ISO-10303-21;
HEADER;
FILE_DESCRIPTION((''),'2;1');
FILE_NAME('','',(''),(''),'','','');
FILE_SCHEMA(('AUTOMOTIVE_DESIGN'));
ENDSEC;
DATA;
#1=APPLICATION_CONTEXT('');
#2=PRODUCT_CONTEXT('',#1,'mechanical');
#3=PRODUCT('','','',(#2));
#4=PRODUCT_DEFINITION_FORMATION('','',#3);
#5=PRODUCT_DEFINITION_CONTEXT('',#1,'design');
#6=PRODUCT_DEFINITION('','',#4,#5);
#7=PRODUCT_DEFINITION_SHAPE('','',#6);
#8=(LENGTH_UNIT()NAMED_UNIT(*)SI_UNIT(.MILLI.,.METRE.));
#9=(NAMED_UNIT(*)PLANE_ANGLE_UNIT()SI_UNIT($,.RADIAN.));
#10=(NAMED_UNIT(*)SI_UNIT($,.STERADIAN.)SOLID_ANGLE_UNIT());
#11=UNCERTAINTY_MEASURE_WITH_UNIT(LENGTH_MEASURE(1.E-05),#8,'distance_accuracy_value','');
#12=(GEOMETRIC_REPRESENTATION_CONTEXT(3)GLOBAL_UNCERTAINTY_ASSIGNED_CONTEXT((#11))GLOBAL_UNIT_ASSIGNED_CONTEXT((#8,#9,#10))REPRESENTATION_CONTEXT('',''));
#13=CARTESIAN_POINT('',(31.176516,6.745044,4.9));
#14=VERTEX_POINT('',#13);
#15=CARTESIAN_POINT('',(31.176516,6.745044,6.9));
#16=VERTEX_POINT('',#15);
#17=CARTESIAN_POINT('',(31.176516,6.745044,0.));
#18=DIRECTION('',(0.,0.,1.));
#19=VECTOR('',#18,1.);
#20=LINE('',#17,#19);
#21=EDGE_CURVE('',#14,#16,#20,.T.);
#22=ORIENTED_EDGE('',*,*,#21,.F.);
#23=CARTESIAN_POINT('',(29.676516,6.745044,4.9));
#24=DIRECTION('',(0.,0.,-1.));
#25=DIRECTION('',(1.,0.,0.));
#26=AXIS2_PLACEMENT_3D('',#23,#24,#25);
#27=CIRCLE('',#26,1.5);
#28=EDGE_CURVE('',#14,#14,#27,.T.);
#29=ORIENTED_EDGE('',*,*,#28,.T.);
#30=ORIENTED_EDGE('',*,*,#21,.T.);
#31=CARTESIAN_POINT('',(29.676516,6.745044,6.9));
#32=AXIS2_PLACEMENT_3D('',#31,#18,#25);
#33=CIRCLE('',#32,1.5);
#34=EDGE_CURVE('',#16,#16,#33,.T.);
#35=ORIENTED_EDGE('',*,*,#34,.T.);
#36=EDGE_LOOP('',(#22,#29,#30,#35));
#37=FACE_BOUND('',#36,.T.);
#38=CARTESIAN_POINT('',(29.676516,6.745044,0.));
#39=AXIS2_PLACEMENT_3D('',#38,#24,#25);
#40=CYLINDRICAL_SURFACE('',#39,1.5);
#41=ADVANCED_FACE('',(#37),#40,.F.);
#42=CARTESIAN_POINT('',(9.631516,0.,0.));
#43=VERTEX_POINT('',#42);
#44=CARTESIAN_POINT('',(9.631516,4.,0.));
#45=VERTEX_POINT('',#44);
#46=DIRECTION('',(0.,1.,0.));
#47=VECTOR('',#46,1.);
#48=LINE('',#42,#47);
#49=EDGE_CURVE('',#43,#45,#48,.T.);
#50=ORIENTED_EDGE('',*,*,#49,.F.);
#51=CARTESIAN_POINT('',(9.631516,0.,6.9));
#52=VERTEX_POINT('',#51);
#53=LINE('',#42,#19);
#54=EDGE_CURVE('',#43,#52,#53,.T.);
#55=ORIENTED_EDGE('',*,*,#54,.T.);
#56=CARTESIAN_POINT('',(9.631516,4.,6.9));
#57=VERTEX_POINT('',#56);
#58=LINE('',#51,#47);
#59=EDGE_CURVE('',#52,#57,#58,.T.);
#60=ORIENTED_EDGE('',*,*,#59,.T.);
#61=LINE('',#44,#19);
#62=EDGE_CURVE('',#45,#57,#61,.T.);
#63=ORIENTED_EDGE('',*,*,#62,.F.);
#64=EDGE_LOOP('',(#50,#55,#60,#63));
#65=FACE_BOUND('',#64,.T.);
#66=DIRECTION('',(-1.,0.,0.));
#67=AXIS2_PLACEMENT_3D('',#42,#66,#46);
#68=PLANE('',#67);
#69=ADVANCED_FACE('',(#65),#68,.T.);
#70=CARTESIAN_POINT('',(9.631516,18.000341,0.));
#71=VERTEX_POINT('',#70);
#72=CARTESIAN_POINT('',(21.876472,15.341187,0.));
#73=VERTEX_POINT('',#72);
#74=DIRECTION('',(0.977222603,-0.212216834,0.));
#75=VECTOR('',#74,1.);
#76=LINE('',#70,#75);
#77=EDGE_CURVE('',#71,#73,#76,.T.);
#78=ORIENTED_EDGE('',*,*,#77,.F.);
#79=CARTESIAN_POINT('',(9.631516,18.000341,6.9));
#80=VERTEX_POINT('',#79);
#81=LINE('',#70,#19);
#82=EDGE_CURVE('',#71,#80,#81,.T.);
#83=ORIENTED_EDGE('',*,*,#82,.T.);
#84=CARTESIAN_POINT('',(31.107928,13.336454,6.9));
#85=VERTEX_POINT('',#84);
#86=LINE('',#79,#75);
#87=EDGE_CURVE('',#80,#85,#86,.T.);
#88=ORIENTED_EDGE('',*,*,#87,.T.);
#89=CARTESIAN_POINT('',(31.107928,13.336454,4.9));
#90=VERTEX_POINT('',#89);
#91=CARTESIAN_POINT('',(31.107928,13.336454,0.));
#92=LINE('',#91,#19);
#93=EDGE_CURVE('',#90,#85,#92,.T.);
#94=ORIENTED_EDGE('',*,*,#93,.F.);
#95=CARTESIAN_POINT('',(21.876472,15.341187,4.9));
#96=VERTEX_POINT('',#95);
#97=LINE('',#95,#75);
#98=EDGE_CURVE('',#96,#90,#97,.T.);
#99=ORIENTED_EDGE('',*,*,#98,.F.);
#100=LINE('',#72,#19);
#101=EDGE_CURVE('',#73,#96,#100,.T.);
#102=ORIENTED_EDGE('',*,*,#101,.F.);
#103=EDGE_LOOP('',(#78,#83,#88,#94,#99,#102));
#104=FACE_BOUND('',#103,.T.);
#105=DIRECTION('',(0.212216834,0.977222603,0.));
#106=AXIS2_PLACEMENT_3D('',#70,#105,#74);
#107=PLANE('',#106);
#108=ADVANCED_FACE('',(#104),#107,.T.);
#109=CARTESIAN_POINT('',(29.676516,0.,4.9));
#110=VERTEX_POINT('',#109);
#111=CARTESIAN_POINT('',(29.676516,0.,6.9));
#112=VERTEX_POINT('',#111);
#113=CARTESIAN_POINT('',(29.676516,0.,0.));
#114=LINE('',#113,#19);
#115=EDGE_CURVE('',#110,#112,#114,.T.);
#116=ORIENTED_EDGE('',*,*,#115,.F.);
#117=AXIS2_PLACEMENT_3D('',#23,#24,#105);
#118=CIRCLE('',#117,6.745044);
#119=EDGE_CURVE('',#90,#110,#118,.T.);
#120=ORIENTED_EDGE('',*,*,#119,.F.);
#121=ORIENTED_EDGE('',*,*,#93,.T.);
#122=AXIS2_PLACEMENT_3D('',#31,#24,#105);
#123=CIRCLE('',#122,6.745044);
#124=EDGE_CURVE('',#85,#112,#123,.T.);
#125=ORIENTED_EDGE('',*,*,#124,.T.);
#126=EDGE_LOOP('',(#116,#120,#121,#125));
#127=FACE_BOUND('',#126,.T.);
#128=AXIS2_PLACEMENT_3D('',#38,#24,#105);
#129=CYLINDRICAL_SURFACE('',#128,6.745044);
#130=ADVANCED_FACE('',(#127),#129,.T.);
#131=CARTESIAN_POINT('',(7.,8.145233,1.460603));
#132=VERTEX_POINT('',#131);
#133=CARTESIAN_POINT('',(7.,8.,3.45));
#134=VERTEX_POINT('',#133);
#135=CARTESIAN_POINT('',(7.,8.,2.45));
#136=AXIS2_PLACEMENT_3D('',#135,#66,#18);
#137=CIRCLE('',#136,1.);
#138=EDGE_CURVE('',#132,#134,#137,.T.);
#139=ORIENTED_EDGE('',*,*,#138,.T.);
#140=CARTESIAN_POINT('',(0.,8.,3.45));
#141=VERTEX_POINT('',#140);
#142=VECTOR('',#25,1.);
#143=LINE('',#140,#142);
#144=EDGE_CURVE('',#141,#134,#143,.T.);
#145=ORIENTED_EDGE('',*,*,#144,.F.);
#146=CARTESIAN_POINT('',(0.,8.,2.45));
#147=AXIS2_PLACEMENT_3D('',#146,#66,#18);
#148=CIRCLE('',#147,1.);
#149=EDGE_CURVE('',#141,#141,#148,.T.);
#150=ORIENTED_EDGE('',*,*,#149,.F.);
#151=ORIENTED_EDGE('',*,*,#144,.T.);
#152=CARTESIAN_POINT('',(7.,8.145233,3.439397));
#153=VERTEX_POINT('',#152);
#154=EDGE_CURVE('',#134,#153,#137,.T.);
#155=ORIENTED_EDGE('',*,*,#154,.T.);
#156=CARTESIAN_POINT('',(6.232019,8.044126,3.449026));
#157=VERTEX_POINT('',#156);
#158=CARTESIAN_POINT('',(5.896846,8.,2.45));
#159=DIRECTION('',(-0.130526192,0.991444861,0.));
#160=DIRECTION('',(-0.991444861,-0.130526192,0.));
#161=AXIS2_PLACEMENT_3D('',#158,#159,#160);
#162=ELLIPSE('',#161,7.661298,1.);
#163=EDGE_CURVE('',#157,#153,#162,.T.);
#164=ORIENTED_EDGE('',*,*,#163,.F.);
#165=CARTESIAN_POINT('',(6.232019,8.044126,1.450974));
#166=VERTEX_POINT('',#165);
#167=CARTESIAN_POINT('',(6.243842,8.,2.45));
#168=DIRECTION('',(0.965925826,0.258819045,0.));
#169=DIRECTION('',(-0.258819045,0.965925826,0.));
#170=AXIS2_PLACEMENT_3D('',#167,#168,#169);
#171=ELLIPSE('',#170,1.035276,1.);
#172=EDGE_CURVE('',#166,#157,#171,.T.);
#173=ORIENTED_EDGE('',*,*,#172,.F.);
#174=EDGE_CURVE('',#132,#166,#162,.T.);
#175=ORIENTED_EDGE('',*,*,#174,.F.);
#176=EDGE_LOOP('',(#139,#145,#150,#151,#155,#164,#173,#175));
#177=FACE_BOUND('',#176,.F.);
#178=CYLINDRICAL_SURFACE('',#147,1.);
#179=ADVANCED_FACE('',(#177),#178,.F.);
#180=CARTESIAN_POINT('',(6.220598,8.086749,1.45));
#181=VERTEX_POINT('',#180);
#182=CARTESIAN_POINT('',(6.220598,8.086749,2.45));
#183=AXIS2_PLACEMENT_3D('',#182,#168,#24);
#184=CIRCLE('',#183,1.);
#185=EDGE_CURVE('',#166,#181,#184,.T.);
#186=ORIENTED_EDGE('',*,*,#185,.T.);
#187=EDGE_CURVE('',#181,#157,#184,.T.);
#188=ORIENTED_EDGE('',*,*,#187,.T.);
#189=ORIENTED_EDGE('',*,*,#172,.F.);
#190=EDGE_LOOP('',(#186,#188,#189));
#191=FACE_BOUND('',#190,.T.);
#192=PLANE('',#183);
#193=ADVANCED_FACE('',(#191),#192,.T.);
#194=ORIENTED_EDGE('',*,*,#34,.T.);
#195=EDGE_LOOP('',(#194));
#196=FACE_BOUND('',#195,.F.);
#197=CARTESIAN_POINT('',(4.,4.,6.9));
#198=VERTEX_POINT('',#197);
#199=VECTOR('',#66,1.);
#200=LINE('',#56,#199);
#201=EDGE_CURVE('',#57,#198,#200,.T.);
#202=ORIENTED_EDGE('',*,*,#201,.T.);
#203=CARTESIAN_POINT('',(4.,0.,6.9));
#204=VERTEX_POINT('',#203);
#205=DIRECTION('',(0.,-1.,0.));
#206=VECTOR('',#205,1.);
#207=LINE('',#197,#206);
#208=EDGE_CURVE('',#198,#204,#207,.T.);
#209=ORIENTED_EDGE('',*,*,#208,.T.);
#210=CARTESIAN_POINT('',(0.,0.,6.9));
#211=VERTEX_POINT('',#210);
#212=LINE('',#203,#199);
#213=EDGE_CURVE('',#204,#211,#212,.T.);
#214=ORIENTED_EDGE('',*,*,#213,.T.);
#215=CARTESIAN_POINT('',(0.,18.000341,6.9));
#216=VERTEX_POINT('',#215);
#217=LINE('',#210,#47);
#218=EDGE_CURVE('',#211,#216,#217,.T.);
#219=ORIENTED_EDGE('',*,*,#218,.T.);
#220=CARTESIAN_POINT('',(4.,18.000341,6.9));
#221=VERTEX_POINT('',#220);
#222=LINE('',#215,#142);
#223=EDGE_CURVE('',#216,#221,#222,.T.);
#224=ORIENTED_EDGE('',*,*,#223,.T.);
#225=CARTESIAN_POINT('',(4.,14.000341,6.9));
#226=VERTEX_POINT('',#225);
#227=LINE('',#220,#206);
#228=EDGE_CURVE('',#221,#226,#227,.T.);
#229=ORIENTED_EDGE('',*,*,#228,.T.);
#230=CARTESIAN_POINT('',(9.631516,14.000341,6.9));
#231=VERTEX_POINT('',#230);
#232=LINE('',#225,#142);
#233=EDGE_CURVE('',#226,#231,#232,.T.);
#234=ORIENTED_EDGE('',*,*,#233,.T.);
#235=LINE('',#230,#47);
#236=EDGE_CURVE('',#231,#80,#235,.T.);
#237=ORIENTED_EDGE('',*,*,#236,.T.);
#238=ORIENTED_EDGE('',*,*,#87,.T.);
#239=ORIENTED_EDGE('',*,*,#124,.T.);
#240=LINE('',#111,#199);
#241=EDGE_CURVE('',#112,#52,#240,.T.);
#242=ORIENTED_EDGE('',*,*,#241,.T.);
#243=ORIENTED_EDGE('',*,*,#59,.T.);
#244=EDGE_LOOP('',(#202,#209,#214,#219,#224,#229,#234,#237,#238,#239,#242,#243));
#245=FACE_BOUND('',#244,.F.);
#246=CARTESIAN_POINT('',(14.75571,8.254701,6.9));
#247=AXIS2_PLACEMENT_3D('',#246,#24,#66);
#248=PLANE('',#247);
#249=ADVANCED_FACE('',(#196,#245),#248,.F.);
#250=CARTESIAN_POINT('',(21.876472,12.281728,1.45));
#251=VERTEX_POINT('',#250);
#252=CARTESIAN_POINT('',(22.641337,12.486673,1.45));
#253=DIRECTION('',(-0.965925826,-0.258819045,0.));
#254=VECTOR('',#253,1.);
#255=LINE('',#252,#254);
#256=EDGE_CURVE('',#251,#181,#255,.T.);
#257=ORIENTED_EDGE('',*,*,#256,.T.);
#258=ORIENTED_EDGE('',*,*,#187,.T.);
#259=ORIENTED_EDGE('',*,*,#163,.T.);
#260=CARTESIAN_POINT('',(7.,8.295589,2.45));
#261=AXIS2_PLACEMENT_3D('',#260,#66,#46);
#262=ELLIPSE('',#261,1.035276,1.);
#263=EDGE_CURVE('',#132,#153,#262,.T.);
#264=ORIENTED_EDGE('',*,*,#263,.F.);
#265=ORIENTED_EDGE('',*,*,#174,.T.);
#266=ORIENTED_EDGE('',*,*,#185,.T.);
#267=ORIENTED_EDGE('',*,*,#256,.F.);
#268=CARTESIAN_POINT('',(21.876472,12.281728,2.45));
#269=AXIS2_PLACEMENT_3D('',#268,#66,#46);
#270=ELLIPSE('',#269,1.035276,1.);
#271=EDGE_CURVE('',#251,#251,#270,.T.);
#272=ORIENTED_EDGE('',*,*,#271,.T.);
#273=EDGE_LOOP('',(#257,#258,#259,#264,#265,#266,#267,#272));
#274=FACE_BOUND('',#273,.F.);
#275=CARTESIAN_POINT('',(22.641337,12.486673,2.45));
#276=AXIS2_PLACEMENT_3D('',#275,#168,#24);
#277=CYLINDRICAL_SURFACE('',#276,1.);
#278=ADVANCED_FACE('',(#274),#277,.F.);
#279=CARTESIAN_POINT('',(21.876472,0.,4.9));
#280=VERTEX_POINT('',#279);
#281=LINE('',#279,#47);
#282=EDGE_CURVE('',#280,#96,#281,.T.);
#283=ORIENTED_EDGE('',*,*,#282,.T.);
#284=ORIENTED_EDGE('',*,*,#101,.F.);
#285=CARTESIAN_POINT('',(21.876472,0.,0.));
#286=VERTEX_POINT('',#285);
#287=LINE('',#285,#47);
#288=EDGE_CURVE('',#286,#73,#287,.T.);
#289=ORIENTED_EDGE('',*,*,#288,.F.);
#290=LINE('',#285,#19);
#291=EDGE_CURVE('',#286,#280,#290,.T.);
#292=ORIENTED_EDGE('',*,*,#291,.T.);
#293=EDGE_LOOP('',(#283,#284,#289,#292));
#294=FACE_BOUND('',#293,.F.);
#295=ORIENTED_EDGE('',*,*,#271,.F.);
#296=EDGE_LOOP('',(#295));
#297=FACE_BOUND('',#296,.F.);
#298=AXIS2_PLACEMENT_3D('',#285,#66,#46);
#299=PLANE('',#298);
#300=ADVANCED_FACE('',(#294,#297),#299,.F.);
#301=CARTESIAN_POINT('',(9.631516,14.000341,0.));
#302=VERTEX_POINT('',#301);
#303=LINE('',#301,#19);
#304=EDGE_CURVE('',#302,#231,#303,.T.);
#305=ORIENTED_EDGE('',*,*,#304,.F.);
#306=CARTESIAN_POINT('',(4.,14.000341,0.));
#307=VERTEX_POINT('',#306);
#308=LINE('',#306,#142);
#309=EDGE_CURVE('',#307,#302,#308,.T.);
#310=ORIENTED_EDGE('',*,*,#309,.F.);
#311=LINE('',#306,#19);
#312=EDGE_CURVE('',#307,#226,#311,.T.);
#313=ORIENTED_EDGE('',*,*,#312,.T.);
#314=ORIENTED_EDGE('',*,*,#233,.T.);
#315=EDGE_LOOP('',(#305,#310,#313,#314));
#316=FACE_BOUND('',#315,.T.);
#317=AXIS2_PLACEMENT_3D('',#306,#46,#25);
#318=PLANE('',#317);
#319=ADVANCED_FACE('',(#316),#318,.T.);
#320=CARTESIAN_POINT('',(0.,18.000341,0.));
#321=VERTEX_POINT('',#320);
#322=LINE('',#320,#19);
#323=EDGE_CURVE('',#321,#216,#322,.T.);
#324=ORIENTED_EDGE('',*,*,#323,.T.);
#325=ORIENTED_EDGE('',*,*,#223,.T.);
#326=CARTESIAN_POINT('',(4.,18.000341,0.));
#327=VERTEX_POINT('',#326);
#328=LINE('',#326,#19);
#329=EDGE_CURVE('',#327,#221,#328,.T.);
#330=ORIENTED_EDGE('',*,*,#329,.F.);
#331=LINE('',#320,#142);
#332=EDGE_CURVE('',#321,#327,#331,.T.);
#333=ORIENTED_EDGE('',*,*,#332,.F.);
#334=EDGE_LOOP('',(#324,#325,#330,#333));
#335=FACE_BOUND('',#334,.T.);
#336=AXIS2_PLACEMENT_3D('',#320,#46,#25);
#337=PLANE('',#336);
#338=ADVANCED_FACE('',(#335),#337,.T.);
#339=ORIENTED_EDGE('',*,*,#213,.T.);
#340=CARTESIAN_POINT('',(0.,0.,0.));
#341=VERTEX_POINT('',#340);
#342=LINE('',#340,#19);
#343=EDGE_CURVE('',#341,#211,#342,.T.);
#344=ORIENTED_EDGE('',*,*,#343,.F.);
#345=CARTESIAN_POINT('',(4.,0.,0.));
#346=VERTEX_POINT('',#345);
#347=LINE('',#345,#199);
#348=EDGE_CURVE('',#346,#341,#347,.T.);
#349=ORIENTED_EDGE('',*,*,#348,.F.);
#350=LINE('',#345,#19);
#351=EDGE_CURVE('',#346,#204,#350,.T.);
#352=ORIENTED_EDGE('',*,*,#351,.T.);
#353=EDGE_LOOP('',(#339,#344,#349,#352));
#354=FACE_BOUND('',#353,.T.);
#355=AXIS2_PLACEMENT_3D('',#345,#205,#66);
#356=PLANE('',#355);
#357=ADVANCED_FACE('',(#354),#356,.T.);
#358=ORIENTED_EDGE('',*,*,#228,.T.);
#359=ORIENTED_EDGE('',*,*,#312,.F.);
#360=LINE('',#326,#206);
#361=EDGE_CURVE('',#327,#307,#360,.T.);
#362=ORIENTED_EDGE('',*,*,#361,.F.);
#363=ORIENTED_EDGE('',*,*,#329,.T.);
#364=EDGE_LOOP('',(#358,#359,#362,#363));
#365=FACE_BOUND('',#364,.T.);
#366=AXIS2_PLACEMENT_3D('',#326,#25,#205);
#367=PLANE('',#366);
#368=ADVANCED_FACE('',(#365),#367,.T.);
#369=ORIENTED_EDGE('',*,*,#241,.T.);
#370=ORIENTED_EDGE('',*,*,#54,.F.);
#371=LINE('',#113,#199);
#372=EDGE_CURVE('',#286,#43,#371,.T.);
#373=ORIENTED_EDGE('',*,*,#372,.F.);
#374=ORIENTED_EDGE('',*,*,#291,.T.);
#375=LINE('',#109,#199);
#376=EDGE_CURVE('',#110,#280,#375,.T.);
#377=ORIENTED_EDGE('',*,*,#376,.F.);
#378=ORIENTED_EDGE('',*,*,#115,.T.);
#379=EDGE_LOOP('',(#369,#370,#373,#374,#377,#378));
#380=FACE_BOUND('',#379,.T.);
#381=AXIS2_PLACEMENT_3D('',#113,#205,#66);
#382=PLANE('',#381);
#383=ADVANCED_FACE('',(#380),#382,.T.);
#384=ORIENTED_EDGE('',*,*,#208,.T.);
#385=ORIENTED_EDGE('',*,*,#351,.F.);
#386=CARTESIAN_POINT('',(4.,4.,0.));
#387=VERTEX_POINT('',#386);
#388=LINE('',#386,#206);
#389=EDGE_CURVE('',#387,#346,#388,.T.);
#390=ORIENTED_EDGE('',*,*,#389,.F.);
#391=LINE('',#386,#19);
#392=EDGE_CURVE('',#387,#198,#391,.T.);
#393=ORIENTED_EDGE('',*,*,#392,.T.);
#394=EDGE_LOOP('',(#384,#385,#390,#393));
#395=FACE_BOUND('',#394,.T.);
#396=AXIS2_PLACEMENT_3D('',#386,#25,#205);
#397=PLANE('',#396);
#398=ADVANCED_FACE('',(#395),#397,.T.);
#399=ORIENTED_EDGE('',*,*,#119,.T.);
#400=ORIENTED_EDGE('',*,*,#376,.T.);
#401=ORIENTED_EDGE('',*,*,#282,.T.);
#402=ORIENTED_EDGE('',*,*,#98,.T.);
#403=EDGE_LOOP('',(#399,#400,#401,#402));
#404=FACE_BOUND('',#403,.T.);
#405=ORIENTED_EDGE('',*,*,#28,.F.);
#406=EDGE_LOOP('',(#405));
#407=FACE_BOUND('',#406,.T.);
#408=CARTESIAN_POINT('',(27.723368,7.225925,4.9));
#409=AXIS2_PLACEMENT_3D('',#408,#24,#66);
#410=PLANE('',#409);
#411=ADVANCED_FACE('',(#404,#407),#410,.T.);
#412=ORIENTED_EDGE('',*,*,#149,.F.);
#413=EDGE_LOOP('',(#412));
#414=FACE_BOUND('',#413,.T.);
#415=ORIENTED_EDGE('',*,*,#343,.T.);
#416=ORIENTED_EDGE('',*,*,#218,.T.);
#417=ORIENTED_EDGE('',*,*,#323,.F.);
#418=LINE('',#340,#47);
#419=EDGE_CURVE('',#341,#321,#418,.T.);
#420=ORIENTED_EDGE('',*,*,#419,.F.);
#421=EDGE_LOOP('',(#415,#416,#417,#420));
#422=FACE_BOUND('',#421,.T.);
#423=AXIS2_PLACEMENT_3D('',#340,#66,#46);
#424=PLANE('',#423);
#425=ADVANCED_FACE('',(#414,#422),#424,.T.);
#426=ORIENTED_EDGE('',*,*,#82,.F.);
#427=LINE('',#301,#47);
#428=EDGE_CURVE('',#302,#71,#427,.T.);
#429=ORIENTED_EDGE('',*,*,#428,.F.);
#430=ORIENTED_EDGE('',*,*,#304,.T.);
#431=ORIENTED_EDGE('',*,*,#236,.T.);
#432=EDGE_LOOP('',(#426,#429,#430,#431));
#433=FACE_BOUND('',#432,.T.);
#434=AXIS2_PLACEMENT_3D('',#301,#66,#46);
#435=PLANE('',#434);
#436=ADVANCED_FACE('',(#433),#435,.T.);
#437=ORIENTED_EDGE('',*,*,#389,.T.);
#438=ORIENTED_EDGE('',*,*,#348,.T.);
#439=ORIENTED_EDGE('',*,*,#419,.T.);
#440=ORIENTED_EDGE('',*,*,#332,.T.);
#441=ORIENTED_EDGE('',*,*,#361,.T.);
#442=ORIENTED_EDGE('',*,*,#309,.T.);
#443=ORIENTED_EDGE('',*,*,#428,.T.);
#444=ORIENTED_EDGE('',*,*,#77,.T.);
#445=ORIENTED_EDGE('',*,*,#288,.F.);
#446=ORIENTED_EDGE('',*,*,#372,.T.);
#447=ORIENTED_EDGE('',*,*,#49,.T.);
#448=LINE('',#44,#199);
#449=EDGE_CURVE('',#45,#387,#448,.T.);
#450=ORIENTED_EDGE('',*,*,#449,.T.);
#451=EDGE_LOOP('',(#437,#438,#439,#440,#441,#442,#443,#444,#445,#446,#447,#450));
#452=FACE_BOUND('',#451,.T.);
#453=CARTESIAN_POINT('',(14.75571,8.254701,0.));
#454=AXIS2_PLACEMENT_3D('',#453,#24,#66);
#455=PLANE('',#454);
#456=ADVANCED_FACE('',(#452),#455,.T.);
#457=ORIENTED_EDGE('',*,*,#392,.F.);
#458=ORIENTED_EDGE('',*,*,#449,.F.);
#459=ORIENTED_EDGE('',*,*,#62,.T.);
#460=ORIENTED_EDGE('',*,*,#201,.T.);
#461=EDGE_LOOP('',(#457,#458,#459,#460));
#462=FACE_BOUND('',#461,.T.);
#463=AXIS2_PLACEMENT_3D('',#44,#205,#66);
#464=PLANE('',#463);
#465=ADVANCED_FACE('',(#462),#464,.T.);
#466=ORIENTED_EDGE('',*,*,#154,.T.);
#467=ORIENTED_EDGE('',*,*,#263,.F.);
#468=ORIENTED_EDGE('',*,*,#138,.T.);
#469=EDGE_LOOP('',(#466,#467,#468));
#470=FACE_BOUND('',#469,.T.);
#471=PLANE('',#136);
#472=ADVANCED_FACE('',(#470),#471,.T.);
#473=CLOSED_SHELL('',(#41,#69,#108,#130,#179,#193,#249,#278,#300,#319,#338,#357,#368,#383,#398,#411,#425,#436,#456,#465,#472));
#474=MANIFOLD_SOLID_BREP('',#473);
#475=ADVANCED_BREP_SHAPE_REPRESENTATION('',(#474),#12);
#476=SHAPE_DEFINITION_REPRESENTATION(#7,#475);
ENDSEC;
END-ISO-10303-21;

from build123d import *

# Parameters (mm, degrees)
SKETCH1_R           = 1.5
BOSS_EXTRUDE1_DEPTH = 6.9
CUT_EXTRUDE2_DEPTH  = 4.9
SKETCH5_R           = 1
CUT_EXTRUDE3_DEPTH  = 7
SKETCH8_R           = 1
CUT_EXTRUDE5_DEPTH  = 17


with BuildPart() as part:
    # Sketch1 → Boss-Extrude1 (new body)
    with BuildSketch(Plane.XY):
        with BuildLine():
            Line((0, 0), (0, 18.000341084))
            Line((0, 18.000341084), (4, 18.000341084))
            Line((4, 18.000341084), (4, 14.000341084))
            Line((4, 14.000341084), (9.631516349, 14.000341084))
            Line((9.631516349, 14.000341084), (9.631516349, 18.000341084))
            Line((9.631516349, 18.000341084), (31.10792826, 13.336453737))
            ThreePointArc((31.10792826, 13.336453737), (36.383041872, 6.025227564), (29.676516349, 0))
            Line((29.676516349, 0), (9.631516349, 0))
            Line((9.631516349, 0), (9.631516349, 4))
            Line((9.631516349, 4), (4, 4))
            Line((4, 4), (4, 0))
            Line((4, 0), (0, 0))
        make_face()
        with Locations((29.676516349, 6.745044143)):
            Circle(SKETCH1_R, mode=Mode.SUBTRACT)
    extrude(amount=BOSS_EXTRUDE1_DEPTH)

    # Sketch4 → Cut-Extrude2 (cut)
    with BuildSketch(Plane.XY):
        with BuildLine():
            Line((21.876472206, 0), (21.876472206, 15.341186709))
            Line((21.876472206, 15.341186709), (31.10792826, 13.336453737))
            ThreePointArc((31.10792826, 13.336453737), (36.383041872, 6.025227564), (29.676516349, 0))
            Line((29.676516349, 0), (21.876472206, 0))
        make_face()
    extrude(amount=CUT_EXTRUDE2_DEPTH, mode=Mode.SUBTRACT)

    # Sketch5 → Cut-Extrude3 (cut)
    with BuildSketch(Plane.ZY):
        with Locations((2.45, 8)):
            Circle(SKETCH5_R)
    extrude(amount=-CUT_EXTRUDE3_DEPTH, mode=Mode.SUBTRACT)

    # Sketch8 → Cut-Extrude5 (cut)
    with BuildSketch(Plane(origin=(24.246323118, 6.496782699, 0), x_dir=(0, 0, -1), z_dir=(0.965925826, 0.258819045, 0))):
        with Locations((-2.45, 6.201190468)):
            Circle(SKETCH8_R)
    extrude(amount=-CUT_EXTRUDE5_DEPTH, mode=Mode.SUBTRACT)


solid = part.part
